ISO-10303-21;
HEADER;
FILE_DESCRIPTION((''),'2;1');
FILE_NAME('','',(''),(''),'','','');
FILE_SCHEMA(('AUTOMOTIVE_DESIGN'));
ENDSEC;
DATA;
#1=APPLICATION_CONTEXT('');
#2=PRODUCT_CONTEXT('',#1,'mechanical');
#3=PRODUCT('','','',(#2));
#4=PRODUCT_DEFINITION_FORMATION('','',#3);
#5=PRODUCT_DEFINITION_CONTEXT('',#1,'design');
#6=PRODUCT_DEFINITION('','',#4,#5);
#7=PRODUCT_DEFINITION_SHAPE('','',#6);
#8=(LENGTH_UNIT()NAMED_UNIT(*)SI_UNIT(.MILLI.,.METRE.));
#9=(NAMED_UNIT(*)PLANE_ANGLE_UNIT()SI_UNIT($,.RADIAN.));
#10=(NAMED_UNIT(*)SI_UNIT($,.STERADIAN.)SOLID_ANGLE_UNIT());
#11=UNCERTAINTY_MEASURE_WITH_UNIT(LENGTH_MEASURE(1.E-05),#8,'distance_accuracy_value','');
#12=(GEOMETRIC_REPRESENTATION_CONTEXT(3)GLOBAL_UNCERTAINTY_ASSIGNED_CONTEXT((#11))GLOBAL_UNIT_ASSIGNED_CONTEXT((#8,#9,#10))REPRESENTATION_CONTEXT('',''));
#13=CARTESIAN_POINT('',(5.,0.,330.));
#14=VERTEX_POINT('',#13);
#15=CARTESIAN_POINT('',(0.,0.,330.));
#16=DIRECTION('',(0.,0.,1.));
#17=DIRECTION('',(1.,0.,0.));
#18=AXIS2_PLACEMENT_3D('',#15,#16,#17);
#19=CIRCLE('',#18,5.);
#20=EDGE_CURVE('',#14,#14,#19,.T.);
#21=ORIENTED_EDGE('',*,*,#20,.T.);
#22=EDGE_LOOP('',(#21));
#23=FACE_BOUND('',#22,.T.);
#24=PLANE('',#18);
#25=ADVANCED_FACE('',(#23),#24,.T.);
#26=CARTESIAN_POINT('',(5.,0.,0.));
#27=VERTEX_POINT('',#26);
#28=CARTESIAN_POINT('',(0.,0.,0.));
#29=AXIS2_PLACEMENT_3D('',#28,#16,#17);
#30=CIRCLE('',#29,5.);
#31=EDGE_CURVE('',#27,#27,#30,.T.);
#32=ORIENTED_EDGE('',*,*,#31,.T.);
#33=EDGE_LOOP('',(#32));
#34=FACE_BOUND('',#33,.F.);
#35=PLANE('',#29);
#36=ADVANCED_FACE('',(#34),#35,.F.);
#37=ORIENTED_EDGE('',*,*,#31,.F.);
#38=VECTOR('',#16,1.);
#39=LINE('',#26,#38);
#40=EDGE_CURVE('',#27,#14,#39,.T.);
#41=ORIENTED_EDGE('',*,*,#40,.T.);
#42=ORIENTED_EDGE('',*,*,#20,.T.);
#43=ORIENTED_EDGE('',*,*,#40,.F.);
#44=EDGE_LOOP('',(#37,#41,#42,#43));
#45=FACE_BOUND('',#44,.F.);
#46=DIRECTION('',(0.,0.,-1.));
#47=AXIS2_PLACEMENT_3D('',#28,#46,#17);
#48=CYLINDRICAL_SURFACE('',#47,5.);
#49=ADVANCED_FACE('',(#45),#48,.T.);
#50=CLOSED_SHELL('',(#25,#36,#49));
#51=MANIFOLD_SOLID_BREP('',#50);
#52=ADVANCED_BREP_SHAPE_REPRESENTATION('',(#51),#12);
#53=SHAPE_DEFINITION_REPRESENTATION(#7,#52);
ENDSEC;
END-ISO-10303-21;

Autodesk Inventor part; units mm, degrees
ref_plane "YZ Plane" through (0, 0, 0) normal (1, 0, 0) x (0, 1, 0)
ref_plane "XZ Plane" through (0, 0, 0) normal (0, 1, 0) x (-1, 0, 0)
ref_plane "XY Plane" through (0, 0, 0) normal (0, 0, 1) x (1, 0, 0)
sketch "スケッチ1" plane through (0, 0, 0) normal (0, 0, 1) x (1, 0, 0)
  circle A0 centre (0, 0) radius 5
  dimension "d0" = 10
extrude "押し出し1" add sketch "スケッチ1" along normal blind 330
thread "ねじ1" size "M10x1.5" class "6g" standard "ANSI Metric M Profile" full length
properties part number "ロッド"
